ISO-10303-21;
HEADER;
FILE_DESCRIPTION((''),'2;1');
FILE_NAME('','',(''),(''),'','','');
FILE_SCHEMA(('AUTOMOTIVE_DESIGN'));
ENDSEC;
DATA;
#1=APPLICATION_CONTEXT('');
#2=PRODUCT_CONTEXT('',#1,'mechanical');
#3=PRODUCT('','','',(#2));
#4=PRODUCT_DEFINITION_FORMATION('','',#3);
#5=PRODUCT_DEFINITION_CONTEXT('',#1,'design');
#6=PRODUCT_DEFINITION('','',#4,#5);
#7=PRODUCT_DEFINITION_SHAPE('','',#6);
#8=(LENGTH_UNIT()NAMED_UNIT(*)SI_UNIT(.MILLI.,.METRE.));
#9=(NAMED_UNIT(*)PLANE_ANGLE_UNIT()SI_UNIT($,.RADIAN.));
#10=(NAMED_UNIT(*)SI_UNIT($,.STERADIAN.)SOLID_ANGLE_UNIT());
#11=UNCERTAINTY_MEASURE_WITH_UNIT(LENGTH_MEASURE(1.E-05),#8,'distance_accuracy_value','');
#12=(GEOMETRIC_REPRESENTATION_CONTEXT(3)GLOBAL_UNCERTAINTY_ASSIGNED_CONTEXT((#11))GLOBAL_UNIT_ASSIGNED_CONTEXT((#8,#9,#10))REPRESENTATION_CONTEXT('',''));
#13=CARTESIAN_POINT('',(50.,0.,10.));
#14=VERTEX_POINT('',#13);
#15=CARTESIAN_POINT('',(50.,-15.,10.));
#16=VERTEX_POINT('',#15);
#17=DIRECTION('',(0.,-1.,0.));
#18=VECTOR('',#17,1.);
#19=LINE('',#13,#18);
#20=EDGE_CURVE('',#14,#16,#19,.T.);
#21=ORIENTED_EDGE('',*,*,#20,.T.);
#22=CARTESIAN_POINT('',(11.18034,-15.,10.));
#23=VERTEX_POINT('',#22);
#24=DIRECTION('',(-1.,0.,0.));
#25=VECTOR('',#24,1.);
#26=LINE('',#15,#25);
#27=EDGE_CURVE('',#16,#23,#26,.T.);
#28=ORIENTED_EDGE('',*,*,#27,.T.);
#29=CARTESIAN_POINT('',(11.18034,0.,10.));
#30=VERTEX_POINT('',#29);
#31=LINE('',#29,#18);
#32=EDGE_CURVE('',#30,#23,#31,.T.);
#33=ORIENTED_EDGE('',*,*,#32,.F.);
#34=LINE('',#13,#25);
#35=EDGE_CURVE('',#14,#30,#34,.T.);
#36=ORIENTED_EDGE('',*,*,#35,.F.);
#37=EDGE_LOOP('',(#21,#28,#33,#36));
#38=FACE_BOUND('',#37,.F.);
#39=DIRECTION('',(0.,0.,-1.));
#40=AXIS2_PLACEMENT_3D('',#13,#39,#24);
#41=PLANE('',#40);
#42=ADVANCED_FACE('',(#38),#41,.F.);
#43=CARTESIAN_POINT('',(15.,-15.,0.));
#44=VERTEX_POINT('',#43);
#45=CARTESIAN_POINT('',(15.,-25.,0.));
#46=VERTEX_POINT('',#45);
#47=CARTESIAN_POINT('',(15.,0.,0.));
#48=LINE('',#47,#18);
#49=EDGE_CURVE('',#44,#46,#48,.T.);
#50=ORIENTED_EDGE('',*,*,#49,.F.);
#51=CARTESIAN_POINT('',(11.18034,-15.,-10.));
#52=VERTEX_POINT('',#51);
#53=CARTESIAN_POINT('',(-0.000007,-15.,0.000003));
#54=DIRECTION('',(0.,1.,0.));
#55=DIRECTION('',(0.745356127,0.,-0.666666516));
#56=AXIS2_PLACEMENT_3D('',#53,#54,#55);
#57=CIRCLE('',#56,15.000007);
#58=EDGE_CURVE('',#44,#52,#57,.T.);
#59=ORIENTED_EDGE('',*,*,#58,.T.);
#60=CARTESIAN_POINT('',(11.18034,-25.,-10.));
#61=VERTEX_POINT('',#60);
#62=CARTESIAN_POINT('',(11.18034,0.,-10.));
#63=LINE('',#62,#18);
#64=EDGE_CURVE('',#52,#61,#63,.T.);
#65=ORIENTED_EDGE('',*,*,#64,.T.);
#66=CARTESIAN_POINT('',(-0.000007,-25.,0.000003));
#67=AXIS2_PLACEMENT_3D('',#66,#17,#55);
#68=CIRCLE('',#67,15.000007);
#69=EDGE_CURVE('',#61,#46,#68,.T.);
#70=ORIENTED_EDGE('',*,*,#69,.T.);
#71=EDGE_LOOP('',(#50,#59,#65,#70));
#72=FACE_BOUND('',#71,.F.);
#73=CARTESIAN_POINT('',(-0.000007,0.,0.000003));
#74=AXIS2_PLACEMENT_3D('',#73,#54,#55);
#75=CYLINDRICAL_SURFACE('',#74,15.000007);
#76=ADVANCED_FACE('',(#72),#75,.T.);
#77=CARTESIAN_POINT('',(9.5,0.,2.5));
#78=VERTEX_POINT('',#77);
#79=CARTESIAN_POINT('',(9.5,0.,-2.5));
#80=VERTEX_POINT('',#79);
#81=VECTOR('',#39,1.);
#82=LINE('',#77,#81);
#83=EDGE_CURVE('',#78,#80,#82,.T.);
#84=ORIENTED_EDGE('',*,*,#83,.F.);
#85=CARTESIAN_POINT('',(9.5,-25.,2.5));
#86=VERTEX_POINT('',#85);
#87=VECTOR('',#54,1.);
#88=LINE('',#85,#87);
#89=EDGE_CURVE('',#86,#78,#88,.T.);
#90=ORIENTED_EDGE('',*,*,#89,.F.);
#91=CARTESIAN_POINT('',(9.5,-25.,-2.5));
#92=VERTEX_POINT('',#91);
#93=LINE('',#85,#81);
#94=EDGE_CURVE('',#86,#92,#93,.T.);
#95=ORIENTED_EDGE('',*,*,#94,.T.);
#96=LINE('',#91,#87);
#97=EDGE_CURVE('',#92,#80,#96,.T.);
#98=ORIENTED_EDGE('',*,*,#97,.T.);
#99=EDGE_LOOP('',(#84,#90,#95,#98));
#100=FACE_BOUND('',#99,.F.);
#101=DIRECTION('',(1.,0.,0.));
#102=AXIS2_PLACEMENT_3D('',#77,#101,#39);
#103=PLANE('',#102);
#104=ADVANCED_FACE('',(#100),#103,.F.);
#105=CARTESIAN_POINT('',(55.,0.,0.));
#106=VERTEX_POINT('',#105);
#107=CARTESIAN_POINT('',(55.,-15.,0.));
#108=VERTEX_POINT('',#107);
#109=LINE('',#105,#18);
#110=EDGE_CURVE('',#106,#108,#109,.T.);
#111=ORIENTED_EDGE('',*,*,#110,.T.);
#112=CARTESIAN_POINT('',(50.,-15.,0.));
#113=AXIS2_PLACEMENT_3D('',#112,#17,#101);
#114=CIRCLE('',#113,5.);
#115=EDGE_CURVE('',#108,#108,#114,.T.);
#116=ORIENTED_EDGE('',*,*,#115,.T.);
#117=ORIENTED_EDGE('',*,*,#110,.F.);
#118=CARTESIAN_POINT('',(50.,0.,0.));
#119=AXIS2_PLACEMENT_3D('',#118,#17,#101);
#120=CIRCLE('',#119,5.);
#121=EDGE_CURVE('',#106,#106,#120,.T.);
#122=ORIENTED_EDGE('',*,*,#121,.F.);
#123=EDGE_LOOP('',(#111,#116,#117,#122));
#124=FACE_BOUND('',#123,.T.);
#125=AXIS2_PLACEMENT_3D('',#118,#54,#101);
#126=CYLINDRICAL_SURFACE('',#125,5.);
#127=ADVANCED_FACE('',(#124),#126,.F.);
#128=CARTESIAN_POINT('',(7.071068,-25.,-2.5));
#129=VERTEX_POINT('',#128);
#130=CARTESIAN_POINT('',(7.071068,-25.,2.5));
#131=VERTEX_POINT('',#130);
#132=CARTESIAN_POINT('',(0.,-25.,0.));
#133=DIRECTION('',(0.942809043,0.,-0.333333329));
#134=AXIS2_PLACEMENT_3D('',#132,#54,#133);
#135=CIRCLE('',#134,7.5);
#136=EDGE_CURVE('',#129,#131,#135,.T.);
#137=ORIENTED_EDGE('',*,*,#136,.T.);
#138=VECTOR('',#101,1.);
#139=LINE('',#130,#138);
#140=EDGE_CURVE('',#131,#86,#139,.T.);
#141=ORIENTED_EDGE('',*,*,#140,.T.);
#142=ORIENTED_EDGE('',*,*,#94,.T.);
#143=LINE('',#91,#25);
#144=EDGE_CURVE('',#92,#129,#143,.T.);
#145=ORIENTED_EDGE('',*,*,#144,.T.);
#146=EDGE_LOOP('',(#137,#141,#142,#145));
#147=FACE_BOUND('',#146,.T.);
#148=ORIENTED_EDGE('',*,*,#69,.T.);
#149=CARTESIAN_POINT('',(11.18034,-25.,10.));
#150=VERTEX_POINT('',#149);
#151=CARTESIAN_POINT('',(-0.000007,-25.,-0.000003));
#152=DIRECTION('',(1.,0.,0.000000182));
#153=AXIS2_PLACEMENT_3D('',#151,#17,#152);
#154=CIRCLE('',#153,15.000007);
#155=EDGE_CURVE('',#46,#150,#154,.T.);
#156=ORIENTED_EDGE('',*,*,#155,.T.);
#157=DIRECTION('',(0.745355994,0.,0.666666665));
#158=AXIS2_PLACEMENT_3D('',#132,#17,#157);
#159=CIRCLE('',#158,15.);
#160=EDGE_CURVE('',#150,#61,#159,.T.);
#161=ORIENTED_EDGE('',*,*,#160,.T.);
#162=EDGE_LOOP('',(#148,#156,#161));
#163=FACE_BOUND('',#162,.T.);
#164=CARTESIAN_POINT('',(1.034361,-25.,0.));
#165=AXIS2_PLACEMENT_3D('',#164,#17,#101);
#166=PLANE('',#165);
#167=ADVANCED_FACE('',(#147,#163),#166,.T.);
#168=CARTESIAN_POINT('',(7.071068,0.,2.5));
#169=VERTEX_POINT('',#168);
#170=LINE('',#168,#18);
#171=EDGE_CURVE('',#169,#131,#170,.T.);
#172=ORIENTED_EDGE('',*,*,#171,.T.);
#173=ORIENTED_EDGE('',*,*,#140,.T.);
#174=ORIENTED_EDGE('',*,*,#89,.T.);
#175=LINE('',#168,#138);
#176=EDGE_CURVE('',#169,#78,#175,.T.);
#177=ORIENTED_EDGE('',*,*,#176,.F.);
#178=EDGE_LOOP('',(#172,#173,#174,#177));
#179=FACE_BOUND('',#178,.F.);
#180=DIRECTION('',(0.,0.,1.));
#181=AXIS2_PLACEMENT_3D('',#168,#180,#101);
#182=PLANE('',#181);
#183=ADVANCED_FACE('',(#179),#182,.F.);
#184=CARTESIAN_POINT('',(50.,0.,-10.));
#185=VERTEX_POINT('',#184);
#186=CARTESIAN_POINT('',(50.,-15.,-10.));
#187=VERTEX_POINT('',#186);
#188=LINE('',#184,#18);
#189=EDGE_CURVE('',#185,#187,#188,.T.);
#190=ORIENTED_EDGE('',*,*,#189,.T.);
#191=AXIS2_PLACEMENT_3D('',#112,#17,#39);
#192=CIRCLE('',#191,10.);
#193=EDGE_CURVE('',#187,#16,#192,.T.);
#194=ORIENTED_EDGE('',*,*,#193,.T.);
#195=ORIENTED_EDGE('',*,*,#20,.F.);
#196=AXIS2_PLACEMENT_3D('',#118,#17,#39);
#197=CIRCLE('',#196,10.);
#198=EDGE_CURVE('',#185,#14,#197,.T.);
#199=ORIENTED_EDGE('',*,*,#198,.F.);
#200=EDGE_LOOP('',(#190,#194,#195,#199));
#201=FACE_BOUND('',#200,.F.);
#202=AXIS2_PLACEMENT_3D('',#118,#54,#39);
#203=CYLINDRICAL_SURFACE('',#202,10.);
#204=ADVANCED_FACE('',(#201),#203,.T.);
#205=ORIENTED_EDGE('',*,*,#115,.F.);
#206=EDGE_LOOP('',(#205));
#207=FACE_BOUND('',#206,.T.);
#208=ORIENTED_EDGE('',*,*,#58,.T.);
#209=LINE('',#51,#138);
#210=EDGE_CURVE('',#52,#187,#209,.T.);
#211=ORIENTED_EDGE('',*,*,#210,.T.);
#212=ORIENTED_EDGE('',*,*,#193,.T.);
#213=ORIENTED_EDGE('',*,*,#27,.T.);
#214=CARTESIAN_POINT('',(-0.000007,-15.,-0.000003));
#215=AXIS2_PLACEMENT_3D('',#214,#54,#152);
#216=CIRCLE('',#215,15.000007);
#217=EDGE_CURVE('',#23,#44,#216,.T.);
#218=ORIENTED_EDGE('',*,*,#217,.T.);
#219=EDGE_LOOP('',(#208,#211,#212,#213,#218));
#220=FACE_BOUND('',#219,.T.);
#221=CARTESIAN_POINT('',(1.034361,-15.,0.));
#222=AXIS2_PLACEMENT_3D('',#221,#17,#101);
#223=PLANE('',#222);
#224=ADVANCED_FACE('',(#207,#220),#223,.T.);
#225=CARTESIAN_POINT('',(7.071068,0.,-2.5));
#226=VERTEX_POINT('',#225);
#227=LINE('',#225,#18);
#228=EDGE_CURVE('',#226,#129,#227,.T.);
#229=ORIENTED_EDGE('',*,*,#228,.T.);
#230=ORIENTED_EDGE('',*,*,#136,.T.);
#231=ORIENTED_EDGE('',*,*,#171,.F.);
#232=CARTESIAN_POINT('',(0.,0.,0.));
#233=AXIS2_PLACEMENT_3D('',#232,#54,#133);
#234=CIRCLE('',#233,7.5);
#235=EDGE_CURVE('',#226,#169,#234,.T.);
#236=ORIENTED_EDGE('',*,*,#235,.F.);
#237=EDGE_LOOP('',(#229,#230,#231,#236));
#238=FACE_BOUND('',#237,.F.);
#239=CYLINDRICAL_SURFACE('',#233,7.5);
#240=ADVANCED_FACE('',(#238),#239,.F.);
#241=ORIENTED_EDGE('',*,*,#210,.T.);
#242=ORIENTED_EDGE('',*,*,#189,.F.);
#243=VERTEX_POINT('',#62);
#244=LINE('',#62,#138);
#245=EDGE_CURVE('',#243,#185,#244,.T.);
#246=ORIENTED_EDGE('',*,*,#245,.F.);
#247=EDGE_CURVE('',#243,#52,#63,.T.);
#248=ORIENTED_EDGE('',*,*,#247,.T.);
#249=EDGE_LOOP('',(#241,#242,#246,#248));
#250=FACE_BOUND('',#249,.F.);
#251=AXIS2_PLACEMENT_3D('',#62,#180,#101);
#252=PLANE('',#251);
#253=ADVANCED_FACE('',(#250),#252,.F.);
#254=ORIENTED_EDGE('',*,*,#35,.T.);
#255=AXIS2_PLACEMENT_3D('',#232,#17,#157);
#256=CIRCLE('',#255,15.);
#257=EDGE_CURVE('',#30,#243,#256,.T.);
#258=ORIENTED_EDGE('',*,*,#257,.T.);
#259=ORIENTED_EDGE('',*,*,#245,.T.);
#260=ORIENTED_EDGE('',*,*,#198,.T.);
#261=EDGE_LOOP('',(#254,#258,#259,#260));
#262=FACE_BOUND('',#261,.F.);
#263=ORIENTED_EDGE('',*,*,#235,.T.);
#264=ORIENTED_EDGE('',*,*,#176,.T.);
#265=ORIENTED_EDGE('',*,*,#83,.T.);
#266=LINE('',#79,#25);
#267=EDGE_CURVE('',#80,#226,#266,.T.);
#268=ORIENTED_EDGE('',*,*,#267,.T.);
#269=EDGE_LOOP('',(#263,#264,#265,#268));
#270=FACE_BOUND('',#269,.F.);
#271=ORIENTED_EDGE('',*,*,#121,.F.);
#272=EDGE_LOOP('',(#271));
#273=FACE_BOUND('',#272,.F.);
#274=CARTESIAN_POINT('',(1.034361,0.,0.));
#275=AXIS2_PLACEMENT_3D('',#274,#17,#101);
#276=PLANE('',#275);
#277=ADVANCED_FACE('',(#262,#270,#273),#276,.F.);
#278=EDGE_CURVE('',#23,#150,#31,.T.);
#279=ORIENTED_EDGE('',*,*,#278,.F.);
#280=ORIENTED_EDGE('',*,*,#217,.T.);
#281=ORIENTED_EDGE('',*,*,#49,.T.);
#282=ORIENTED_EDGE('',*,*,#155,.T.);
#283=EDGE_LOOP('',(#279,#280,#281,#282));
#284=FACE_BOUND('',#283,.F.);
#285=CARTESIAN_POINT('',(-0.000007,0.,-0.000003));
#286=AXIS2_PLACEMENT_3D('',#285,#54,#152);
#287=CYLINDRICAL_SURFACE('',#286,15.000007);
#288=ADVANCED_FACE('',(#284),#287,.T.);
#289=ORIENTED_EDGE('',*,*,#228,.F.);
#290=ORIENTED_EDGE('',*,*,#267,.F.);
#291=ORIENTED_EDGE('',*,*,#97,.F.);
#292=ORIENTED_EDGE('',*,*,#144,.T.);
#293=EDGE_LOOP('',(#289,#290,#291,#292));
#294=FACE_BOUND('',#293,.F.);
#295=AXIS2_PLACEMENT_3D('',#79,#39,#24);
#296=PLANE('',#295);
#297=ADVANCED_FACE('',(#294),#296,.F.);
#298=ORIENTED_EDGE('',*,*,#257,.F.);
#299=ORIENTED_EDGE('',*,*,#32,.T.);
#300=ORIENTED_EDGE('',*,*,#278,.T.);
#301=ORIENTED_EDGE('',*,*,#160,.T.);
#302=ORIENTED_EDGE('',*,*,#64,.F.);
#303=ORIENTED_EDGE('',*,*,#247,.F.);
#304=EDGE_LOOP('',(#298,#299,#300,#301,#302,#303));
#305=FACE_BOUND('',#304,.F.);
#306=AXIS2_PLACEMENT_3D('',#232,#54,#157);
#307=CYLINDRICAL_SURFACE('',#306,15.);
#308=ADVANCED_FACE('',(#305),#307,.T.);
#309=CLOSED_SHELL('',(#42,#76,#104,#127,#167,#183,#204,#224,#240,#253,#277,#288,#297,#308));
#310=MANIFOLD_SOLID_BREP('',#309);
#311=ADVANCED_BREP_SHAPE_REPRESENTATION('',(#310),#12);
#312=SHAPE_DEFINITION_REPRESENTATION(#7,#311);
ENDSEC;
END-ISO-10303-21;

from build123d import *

# Parameters (mm, degrees)
F0_R     = 5
F1_DEPTH = 15
F2_DEPTH = 25


with BuildPart() as f1:
    # F0 (on Front) → F1 (new body)
    with BuildSketch(Plane.XZ):
        with BuildLine():
            ThreePointArc((11.18034, -10), (14.012585, -5.352331), (15, 0))
            ThreePointArc((15, 0), (14.012585, 5.352331), (11.18034, 10))
            ThreePointArc((11.18034, 10), (-15, 0), (11.18034, -10))
        make_face()
        with BuildLine():
            ThreePointArc((7.071068, -2.5), (-7.5, 0), (7.071068, 2.5))
            Line((7.071068, 2.5), (9.5, 2.5))
            Line((9.5, 2.5), (9.5, 0))
            Line((9.5, 0), (9.5, -2.5))
            Line((9.5, -2.5), (7.071068, -2.5))
        make_face(mode=Mode.SUBTRACT)
        with BuildLine():
            ThreePointArc((11.18034, 10), (14.012585, 5.352331), (15, 0))
            ThreePointArc((15, 0), (14.012585, -5.352331), (11.18034, -10))
            Line((11.18034, -10), (50, -10))
            ThreePointArc((50, -10), (60, 0), (50, 10))
            Line((50, 10), (11.18034, 10))
        make_face()
        with Locations((50, 0)):
            Circle(F0_R, mode=Mode.SUBTRACT)
    extrude(amount=F1_DEPTH)

    # F0 (on Front) → F2 (join)
    with BuildSketch(Plane.XZ):
        with BuildLine():
            ThreePointArc((11.18034, -10), (14.012585, -5.352331), (15, 0))
            ThreePointArc((15, 0), (14.012585, 5.352331), (11.18034, 10))
            ThreePointArc((11.18034, 10), (-15, 0), (11.18034, -10))
        make_face()
        with BuildLine():
            ThreePointArc((7.071068, -2.5), (-7.5, 0), (7.071068, 2.5))
            Line((7.071068, 2.5), (9.5, 2.5))
            Line((9.5, 2.5), (9.5, 0))
            Line((9.5, 0), (9.5, -2.5))
            Line((9.5, -2.5), (7.071068, -2.5))
        make_face(mode=Mode.SUBTRACT)
    extrude(amount=F2_DEPTH)


solid = f1.part
